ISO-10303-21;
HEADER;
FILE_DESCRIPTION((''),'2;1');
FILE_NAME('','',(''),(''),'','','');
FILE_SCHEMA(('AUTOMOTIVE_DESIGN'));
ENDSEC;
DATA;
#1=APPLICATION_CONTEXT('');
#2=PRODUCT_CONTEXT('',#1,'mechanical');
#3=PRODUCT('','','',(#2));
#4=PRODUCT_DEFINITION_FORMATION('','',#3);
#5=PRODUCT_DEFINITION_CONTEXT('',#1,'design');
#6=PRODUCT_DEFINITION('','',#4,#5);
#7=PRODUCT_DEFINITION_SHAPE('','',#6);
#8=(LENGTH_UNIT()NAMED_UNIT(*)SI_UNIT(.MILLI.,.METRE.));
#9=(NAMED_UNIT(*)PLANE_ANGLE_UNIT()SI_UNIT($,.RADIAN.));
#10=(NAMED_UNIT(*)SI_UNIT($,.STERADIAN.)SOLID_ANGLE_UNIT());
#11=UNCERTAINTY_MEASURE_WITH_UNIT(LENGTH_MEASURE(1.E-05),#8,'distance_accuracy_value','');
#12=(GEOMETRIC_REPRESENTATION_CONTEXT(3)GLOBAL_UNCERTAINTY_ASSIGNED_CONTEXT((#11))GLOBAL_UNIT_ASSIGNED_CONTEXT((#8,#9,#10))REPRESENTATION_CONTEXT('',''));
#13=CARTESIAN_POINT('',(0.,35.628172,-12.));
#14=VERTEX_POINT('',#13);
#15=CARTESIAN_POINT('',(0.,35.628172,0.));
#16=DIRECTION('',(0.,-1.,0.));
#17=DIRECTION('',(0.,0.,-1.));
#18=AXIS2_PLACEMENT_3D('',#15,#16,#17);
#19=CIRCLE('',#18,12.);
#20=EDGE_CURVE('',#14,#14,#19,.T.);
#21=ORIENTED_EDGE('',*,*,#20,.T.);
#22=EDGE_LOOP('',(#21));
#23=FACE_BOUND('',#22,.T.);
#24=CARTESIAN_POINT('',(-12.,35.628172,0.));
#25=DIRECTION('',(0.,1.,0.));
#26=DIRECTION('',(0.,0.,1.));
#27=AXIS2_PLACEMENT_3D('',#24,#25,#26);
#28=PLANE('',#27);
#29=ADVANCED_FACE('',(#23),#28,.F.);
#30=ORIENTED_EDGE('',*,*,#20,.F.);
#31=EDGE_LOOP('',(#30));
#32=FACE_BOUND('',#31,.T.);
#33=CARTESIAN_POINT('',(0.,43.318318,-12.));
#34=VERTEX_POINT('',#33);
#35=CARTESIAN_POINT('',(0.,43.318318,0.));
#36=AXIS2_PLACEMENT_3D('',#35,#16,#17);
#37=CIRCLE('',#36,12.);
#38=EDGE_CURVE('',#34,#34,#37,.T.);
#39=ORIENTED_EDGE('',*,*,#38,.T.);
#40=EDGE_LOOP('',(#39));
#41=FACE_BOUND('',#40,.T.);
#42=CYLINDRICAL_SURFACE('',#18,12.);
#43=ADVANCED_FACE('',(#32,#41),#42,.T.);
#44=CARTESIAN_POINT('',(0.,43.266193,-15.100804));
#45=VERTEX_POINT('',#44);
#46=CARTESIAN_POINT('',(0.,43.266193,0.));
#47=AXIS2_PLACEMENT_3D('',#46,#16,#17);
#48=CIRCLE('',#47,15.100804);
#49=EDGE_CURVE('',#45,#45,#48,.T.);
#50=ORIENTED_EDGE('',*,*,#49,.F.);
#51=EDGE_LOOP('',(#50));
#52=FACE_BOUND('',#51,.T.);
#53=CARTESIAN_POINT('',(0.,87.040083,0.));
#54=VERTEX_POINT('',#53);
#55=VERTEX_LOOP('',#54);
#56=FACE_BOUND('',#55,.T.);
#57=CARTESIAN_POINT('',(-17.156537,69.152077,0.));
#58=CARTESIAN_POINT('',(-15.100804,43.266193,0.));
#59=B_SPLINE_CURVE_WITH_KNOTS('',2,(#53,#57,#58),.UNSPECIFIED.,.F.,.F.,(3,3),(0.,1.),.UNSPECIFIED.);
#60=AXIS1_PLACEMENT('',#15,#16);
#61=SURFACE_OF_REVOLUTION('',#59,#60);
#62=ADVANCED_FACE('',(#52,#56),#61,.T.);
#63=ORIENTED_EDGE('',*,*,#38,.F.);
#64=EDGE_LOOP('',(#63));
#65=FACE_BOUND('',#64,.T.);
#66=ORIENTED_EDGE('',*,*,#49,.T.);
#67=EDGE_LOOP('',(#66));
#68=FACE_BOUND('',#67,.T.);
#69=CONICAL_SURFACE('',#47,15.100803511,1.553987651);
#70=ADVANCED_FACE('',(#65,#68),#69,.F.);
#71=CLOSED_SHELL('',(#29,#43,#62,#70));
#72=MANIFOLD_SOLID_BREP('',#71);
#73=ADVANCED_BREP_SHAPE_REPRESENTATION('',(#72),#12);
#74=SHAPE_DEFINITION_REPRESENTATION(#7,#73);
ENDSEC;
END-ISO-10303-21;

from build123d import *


with BuildPart() as part:
    # Sketch2 → Revolve2 (revolve)
    with BuildSketch(Plane.XY):
        with BuildLine():
            Line((-15.100803511, 43.266192878), (-12, 43.318318188))
            Line((-12, 43.318318188), (-12, 35.628172116))
            Line((-12, 35.628172116), (0, 35.628172116))
            Line((0, 35.628172116), (0, 87.040082592))
            add(Edge.make_bspline(
                [(0, 87.040082592), (-17.156536589, 69.152077158), (-15.100803511, 43.266192878)],
                knots=[0, 0, 0, 1, 1, 1], degree=2))
        make_face()
    revolve(axis=Axis((0, 35.628172116, 0), (0, 1, 0)))


solid = part.part
